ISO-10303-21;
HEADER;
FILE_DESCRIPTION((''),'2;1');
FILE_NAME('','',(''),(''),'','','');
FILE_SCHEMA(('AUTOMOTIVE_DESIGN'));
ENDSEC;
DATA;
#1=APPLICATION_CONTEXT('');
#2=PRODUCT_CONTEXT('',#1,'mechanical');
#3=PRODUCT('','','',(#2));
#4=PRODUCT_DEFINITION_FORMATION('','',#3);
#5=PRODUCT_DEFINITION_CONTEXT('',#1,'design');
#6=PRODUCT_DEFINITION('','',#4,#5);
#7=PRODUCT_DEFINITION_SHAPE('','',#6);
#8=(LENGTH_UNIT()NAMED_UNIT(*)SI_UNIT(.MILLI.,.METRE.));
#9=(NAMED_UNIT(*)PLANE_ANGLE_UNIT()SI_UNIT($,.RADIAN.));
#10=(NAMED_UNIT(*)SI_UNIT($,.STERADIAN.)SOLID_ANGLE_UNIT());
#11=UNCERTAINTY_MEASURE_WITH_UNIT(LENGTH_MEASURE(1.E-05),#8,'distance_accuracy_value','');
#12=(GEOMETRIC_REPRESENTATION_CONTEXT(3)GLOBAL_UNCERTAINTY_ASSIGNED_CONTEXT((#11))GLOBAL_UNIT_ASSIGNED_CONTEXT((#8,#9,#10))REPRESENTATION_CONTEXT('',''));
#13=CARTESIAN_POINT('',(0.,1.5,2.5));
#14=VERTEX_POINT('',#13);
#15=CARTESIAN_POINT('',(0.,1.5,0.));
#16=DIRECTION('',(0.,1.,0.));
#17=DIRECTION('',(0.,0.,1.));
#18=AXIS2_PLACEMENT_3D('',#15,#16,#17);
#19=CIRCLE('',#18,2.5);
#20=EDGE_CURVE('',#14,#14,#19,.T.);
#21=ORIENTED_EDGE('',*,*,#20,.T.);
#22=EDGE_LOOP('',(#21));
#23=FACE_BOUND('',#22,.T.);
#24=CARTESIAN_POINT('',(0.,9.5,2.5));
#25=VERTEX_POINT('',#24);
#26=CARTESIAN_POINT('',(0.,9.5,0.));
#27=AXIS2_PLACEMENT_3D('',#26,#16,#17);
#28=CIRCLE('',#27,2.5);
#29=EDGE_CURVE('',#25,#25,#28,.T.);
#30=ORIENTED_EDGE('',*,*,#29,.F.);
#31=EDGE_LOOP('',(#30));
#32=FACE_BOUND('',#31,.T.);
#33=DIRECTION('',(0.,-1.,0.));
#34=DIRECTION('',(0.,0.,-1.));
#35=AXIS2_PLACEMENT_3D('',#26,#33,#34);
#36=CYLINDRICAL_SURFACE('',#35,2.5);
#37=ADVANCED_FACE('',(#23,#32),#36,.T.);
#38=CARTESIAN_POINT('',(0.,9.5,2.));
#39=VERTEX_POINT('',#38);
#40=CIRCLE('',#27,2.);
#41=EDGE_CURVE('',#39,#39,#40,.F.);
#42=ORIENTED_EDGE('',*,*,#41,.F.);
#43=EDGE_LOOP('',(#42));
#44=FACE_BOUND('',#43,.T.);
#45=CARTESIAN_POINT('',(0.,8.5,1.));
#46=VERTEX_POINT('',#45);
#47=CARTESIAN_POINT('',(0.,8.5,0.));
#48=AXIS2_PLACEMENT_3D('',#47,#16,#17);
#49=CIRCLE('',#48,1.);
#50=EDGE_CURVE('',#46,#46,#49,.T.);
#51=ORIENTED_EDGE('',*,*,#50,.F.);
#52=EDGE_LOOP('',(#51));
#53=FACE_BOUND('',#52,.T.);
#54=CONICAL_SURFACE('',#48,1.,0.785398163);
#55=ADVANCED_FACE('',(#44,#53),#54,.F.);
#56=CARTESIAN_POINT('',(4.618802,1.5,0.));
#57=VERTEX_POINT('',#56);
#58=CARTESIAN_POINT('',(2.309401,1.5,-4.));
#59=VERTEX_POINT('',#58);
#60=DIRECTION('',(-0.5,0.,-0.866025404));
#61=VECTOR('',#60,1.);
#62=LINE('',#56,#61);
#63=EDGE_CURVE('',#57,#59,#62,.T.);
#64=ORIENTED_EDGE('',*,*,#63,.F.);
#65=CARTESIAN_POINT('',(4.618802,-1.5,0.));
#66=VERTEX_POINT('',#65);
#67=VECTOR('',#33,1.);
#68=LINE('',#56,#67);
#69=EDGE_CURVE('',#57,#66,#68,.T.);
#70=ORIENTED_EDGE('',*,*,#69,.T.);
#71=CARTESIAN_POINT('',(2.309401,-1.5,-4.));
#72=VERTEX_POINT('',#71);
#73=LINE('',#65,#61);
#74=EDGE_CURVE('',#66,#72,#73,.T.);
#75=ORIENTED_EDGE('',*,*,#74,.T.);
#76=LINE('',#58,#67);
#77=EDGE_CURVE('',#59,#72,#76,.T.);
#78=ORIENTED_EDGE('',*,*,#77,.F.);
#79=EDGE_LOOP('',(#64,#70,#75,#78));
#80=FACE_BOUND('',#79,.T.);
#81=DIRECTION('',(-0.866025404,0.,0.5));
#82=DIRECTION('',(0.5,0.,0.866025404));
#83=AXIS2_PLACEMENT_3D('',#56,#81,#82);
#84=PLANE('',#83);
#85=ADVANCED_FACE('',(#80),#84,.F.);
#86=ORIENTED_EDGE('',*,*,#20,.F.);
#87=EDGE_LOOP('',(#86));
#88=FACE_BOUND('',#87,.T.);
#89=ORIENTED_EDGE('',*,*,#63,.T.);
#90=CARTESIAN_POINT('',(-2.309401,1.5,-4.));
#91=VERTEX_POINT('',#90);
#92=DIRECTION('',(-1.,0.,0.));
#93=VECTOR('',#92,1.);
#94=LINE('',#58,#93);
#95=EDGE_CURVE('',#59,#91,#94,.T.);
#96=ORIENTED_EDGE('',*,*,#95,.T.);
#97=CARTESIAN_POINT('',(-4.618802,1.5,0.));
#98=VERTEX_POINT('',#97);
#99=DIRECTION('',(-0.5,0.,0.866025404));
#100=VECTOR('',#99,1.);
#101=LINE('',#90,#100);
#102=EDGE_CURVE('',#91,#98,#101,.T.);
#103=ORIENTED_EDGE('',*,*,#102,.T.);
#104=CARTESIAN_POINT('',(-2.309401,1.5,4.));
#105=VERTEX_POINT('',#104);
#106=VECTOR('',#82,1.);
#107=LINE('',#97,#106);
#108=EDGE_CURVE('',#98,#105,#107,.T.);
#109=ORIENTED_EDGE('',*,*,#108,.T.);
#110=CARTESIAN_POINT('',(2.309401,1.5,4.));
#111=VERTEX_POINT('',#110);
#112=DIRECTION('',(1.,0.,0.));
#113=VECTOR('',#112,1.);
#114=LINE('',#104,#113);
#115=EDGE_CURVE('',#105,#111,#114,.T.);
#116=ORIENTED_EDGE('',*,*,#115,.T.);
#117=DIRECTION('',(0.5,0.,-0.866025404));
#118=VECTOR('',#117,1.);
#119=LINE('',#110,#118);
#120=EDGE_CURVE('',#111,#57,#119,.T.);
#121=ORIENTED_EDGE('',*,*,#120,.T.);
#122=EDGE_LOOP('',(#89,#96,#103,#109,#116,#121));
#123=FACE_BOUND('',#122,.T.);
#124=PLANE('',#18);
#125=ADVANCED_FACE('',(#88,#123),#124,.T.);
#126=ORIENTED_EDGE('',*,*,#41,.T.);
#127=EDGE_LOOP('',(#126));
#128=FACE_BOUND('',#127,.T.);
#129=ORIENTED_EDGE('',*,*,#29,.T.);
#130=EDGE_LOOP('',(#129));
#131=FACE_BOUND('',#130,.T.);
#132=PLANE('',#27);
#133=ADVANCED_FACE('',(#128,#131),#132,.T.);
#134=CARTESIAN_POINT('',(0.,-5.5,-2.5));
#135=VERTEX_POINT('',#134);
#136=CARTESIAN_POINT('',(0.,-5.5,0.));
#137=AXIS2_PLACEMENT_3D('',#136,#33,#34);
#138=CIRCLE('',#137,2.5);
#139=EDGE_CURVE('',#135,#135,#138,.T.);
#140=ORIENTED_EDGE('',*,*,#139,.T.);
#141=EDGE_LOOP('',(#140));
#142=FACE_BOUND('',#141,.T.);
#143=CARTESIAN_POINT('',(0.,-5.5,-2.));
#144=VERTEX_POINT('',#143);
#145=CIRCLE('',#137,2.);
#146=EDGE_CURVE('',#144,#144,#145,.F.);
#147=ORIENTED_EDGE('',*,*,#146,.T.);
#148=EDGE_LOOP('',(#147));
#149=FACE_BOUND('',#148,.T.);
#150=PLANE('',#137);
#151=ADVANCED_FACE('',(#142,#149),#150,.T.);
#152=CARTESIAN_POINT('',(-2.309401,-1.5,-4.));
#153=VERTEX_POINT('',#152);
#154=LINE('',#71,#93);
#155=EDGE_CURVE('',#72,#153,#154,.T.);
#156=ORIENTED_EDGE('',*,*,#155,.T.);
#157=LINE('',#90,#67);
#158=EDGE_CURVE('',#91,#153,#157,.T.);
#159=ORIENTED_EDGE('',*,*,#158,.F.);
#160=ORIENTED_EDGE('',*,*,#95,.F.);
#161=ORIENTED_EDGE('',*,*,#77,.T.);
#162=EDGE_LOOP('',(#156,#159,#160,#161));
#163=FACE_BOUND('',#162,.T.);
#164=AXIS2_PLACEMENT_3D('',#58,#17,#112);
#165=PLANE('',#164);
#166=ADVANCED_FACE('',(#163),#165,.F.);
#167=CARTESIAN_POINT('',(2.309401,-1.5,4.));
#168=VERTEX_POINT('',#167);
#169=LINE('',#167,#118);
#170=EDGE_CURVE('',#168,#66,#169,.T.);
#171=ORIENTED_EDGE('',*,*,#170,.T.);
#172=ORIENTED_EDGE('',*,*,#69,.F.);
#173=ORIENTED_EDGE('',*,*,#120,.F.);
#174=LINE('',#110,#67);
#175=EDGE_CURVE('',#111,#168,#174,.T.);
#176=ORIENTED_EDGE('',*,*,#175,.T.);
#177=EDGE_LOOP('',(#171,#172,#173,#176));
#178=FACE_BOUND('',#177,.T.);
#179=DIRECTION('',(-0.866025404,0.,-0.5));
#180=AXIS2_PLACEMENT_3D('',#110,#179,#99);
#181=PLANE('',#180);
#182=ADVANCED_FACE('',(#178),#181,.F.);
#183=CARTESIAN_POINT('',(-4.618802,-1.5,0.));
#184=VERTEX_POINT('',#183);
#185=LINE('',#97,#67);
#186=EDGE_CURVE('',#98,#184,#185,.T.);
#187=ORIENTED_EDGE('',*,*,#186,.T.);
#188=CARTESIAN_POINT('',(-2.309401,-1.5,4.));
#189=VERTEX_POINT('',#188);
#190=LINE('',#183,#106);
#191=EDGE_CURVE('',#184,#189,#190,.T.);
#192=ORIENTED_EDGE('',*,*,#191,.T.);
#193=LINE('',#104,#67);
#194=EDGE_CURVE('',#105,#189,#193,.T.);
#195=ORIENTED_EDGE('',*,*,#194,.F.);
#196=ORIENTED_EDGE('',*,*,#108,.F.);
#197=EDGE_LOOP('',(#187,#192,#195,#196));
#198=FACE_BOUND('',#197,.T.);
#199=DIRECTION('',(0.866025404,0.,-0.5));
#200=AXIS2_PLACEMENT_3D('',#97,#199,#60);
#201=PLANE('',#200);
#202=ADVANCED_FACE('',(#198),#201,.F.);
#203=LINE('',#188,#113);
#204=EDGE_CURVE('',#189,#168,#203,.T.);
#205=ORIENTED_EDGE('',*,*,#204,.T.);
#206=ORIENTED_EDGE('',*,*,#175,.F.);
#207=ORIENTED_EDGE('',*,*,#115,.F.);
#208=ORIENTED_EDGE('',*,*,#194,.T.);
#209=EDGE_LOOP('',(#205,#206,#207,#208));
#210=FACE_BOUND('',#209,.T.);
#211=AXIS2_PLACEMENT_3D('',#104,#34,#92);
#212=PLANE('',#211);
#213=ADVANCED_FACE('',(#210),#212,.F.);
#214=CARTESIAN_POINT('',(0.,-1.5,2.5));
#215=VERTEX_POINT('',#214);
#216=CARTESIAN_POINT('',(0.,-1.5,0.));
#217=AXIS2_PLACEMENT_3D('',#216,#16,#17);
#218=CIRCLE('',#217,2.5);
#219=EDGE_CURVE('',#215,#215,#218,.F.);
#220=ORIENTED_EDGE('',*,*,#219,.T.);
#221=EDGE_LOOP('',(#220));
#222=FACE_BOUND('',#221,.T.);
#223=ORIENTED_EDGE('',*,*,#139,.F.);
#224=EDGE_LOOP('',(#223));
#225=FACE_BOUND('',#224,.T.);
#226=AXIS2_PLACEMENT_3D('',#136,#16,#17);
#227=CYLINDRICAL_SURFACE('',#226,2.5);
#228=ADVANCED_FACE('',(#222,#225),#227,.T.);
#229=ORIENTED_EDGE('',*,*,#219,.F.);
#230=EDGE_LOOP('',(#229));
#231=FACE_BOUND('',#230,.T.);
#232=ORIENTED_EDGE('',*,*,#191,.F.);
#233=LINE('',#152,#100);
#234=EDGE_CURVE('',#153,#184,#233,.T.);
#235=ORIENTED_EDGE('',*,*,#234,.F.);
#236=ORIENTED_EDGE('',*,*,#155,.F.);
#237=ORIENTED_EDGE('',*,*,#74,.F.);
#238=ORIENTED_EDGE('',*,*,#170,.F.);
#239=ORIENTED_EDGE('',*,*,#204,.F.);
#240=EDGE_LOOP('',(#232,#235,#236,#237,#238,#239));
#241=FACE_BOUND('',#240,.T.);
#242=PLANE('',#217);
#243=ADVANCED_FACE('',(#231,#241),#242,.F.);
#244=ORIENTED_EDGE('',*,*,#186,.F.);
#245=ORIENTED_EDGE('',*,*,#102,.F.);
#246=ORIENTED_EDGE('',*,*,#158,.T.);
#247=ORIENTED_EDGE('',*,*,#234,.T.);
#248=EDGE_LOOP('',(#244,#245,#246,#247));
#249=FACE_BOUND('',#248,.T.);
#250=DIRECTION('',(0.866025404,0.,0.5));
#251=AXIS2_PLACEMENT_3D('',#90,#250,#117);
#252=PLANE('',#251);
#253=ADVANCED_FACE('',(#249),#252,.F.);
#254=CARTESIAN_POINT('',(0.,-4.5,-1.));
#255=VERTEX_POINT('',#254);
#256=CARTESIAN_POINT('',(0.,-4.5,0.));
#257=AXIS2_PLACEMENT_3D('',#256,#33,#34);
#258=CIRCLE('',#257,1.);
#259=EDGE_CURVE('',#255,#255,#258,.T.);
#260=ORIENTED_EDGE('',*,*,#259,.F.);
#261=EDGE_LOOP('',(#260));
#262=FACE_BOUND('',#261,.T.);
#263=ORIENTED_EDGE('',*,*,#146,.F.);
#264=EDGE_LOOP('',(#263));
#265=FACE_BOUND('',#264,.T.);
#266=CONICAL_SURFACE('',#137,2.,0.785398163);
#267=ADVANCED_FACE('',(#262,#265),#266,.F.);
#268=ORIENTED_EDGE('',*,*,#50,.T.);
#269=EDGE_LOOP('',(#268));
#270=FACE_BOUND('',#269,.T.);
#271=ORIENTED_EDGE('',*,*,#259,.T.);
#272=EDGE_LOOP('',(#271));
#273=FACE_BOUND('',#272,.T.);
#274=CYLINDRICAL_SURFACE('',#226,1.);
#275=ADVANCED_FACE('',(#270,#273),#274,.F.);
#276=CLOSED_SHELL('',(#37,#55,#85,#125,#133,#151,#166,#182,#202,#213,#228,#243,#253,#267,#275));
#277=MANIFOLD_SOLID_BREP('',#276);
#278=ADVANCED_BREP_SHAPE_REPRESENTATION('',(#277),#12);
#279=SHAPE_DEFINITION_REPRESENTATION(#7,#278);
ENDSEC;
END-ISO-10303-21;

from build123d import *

# Parameters (mm, degrees)
BOSS_EXTRUDE1_DEPTH = 1.5
SKETCH4_R           = 2.5
BOSS_EXTRUDE3_DEPTH = 4
SKETCH2_R           = 2.5
BOSS_EXTRUDE2_DEPTH = 8
SKETCH3_R           = 1
CUT_EXTRUDE1_DEPTH  = 16
CHAMFER2_SIZE       = 1


with BuildPart() as part:
    # Sketch1 → Boss-Extrude1 (new body, symmetric)
    with BuildSketch(Plane(origin=(0, 0, 0), x_dir=(1, 0, 0), z_dir=(0, 1, 0))):
        Polygon((2.309401077, 4), (-2.309401077, 4), (-4.618802154, 0), (-2.309401077, -4), (2.309401077, -4), (4.618802154, 0), align=None)
    extrude(amount=BOSS_EXTRUDE1_DEPTH, both=True)

    # Sketch4 → Boss-Extrude3 (add)
    with BuildSketch(Plane.XZ.offset(1.5)):
        Circle(SKETCH4_R)
    extrude(amount=BOSS_EXTRUDE3_DEPTH)

    # Sketch2 → Boss-Extrude2 (add)
    with BuildSketch(Plane(origin=(0, 1.5, 0), x_dir=(1, 0, 0), z_dir=(0, 1, 0))):
        Circle(SKETCH2_R)
    extrude(amount=BOSS_EXTRUDE2_DEPTH)

    # Sketch3 → Cut-Extrude1 (cut, through all)
    with BuildSketch(Plane(origin=(0, 9.5, 0), x_dir=(1, 0, 0), z_dir=(0, 1, 0))):
        Circle(SKETCH3_R)
    extrude(amount=-CUT_EXTRUDE1_DEPTH, mode=Mode.SUBTRACT)

    # Chamfer2
    chamfer2_edges = [part.edges().sort_by_distance(p)[0] for p in [
        (-1, -5.5, 0),
        (-1, 9.5, 0),
    ]]
    chamfer(chamfer2_edges, length=CHAMFER2_SIZE)


solid = part.part
